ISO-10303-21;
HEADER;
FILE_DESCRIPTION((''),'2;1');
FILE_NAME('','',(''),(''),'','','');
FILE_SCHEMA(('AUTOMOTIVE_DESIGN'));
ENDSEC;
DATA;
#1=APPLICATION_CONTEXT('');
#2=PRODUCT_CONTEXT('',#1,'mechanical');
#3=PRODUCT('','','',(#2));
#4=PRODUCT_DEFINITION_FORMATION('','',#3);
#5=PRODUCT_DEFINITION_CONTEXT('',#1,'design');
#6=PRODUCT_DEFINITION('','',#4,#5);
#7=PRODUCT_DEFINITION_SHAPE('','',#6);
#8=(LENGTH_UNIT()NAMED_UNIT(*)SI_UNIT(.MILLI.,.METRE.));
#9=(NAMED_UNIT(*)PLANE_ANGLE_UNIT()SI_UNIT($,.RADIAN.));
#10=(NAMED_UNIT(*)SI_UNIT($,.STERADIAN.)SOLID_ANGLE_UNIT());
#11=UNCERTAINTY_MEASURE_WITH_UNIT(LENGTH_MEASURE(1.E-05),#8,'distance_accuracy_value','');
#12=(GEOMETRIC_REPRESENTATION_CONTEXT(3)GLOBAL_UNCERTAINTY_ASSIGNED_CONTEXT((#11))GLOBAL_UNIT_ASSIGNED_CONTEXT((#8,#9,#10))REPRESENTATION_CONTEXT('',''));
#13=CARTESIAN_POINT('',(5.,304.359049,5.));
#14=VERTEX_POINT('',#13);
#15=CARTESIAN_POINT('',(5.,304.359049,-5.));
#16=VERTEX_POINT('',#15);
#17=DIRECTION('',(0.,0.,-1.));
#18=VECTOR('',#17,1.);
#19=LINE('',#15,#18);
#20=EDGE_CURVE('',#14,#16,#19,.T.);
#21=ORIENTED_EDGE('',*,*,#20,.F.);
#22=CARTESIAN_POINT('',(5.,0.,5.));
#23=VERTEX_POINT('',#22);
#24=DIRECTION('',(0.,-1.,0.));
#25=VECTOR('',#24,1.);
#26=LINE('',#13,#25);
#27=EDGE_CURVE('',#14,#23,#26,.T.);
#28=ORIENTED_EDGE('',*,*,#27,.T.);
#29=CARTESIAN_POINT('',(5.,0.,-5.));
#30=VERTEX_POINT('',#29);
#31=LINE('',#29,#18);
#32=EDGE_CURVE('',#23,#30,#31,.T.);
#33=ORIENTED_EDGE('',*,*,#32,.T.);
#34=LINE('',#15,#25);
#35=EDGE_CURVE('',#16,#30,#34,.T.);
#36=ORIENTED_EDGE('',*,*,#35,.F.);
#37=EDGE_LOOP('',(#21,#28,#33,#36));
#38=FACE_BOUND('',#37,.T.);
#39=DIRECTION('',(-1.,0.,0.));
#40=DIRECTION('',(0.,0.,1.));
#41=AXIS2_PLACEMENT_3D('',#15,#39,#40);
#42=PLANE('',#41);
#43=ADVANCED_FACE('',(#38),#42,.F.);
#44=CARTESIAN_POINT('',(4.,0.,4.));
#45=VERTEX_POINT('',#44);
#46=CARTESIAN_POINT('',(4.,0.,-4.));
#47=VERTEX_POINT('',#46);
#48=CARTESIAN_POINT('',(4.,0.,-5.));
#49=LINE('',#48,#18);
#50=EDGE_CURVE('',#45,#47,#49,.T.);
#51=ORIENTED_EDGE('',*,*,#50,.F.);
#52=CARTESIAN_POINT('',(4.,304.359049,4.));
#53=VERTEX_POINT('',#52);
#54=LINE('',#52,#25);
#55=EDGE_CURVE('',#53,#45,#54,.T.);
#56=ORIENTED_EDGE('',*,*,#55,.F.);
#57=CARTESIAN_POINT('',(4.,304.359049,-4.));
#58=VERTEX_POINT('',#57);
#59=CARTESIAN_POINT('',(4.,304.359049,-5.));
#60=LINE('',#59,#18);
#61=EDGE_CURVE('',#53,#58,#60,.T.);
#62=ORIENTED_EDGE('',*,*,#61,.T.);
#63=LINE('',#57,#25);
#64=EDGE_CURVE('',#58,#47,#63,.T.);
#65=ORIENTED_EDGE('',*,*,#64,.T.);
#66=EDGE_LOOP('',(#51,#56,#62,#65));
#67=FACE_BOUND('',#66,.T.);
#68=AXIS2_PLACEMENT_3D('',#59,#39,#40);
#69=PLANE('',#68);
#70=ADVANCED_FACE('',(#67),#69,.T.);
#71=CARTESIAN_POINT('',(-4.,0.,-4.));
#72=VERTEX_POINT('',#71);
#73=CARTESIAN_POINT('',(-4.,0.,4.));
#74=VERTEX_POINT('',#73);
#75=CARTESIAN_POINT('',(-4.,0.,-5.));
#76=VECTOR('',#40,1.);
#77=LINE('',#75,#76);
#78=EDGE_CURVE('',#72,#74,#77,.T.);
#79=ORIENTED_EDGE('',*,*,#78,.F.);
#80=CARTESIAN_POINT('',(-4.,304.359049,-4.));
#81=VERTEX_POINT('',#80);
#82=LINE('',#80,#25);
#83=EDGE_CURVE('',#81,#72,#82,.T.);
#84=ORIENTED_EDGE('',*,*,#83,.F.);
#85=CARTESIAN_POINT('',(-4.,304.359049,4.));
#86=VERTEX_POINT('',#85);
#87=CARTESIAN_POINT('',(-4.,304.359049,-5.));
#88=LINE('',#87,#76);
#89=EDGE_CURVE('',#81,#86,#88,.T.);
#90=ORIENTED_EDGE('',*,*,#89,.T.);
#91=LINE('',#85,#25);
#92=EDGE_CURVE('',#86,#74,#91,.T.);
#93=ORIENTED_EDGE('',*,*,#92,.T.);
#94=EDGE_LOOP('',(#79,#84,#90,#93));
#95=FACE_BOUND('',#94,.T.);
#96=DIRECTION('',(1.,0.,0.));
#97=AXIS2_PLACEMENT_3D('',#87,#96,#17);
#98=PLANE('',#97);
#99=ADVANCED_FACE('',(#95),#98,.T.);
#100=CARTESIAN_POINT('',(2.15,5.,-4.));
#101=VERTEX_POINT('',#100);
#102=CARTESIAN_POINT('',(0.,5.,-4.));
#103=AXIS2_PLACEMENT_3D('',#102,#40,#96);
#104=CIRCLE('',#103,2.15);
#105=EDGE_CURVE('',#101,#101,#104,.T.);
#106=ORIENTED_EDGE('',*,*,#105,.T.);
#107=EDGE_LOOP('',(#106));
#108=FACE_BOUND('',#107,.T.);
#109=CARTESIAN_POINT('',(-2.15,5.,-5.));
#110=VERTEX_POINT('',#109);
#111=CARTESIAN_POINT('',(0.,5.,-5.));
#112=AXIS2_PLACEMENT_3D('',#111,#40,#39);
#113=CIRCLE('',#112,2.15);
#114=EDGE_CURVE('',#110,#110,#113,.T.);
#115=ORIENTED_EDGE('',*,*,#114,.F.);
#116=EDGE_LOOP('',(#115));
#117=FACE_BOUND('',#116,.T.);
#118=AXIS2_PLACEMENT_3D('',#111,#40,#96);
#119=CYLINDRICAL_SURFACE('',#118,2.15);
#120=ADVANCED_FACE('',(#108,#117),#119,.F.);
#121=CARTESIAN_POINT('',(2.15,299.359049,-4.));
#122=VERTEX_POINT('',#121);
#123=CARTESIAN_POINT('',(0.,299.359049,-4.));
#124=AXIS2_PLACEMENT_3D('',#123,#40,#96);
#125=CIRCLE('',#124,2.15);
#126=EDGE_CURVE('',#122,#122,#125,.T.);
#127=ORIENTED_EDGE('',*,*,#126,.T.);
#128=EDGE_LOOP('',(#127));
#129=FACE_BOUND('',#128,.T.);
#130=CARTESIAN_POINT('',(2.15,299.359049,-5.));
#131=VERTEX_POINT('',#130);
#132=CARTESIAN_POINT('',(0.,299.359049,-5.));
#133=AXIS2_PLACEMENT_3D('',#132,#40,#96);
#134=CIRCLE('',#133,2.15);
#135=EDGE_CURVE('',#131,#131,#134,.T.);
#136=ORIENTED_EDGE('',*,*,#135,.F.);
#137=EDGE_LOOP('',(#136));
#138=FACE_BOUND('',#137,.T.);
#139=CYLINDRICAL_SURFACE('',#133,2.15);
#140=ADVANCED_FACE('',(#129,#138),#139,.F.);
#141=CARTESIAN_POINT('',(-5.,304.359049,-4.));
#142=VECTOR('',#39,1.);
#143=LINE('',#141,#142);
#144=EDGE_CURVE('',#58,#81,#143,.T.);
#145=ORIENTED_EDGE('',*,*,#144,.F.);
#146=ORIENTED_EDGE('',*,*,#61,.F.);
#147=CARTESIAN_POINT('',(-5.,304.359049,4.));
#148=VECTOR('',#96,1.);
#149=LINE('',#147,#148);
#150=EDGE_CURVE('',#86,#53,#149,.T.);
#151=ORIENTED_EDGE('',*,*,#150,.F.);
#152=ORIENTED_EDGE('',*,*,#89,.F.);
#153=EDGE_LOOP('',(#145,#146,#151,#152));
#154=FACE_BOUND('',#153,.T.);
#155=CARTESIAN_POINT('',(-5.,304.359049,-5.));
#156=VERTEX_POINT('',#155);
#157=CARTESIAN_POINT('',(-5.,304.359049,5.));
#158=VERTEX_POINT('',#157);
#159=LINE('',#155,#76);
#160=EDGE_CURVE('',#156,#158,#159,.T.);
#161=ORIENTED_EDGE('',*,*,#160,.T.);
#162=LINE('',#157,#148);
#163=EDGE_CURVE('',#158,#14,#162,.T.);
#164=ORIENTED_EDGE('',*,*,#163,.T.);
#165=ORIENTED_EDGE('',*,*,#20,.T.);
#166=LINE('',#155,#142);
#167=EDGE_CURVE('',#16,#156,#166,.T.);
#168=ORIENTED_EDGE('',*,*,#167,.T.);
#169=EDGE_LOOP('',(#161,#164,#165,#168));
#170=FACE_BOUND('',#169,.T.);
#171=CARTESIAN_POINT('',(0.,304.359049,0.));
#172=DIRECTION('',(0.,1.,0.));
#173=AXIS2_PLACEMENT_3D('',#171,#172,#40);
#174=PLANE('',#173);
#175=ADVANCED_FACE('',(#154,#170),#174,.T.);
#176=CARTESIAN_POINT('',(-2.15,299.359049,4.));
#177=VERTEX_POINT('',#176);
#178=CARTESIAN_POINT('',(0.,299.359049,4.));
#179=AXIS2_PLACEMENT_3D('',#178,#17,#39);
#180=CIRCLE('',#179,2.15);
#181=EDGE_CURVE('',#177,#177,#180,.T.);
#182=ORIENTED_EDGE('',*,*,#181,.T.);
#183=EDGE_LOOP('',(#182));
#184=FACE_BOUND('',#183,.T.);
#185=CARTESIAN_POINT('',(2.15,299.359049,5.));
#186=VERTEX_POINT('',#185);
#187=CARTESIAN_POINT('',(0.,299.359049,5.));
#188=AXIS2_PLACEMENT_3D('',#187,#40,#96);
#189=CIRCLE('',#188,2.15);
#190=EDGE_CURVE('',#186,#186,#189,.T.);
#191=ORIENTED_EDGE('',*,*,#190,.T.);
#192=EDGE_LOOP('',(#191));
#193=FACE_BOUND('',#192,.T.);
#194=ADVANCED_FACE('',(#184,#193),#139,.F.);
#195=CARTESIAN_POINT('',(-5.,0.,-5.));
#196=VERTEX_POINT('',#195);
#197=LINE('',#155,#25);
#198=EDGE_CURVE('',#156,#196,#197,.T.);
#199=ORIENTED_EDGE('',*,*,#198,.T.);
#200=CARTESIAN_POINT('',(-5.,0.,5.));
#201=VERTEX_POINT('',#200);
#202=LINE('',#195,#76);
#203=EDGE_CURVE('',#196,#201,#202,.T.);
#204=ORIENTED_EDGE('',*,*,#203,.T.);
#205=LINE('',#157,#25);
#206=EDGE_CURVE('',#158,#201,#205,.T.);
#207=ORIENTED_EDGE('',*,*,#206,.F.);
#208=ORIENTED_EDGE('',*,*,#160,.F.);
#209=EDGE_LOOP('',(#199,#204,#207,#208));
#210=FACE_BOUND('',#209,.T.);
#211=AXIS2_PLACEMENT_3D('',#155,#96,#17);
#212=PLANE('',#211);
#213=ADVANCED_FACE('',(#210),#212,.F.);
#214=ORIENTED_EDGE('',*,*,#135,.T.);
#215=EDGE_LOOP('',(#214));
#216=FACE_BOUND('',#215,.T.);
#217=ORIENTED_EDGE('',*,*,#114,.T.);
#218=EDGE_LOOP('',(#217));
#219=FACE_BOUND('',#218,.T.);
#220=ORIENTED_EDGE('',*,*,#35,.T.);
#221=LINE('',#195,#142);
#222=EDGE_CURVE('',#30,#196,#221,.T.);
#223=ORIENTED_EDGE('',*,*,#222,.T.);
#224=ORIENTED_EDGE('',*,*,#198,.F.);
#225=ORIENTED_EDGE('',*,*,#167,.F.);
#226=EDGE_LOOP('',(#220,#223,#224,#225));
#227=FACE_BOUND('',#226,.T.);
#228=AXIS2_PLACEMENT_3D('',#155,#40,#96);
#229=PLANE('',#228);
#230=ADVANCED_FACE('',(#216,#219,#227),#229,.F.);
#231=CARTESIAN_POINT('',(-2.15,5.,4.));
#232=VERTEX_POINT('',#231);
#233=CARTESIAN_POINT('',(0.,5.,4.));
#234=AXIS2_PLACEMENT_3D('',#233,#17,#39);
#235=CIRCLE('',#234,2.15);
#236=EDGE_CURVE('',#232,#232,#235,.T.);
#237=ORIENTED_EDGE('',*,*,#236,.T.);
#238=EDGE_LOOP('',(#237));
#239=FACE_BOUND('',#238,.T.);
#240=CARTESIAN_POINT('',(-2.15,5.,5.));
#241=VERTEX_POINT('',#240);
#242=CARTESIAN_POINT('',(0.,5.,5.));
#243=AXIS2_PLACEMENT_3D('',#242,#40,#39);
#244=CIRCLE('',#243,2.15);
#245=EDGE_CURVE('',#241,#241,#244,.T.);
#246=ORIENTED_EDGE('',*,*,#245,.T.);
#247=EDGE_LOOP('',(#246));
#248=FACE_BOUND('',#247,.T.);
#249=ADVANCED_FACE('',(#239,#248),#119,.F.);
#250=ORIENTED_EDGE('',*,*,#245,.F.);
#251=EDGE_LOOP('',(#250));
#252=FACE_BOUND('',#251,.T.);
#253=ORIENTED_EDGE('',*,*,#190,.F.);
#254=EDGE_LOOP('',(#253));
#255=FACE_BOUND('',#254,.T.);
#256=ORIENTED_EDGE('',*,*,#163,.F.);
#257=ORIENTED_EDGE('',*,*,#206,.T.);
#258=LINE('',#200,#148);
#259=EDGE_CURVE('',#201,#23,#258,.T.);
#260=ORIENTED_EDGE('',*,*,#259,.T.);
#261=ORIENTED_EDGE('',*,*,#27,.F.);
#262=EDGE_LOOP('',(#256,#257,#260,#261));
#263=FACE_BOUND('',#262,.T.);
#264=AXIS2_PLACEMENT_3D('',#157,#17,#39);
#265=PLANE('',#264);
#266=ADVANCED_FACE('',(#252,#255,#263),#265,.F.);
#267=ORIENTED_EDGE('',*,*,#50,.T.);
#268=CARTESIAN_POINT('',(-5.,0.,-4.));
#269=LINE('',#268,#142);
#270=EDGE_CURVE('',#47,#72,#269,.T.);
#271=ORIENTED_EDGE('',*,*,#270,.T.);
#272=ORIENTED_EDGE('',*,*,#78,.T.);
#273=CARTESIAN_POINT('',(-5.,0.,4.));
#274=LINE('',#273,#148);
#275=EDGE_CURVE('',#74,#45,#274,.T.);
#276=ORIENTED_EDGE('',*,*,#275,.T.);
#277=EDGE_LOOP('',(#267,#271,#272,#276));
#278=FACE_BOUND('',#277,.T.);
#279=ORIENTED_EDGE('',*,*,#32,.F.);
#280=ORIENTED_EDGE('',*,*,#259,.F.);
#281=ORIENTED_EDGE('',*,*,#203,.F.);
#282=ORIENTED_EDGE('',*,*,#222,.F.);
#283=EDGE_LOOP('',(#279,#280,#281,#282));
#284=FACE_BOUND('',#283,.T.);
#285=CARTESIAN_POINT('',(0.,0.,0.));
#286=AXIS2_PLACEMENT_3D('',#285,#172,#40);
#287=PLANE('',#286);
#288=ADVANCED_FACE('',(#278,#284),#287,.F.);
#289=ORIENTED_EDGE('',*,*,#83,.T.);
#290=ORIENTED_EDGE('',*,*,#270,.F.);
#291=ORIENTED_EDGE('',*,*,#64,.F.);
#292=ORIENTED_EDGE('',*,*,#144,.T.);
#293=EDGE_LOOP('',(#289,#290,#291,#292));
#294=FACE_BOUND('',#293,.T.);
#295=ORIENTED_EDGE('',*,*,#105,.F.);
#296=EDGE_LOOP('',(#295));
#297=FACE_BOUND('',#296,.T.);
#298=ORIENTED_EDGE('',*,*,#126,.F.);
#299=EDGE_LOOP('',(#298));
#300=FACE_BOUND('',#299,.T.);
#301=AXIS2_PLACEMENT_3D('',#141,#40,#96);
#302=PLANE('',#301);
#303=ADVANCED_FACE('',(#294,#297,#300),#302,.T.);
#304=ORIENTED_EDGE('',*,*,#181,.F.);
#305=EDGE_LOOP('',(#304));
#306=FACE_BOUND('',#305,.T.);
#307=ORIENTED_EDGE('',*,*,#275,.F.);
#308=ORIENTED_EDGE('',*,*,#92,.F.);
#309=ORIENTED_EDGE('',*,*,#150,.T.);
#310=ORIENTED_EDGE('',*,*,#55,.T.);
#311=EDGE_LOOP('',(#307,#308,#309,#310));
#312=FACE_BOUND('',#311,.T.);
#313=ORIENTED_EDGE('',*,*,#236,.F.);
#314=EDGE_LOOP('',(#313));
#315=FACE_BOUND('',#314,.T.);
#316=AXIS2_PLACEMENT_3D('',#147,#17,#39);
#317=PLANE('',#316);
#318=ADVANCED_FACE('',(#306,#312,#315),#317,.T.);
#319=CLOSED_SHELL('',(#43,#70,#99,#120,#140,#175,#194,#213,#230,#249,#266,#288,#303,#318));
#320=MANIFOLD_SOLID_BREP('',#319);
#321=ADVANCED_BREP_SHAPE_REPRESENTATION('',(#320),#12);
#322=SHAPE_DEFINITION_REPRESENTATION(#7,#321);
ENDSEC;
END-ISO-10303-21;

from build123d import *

# Parameters (mm, degrees)
SKETCH_1_W          = 10
SKETCH_1_H          = 10
SKETCH_1_W_2        = 8
SKETCH_1_H_2        = 8
EXTRUDE_1_DEPTH     = 304.359049462
SKETCH_2_R          = 2.15
CUT_EXTRUDE_1_DEPTH = 305.564329804


with BuildPart() as part:
    # ｽｹｯﾁ1 → 押し出し-薄板1 (new body)
    with BuildSketch(Plane(origin=(0, 0, 0), x_dir=(1, 0, 0), z_dir=(0, 1, 0))):
        Rectangle(SKETCH_1_W, SKETCH_1_H)
        Rectangle(SKETCH_1_W_2, SKETCH_1_H_2, mode=Mode.SUBTRACT)
    extrude(amount=EXTRUDE_1_DEPTH)

    # ｽｹｯﾁ2 → ｶｯﾄ - 押し出し1 (cut, through all)
    with BuildSketch(Plane.XY.offset(5)):
        with Locations((0, 299.359049462)):
            Circle(SKETCH_2_R)
        with Locations(Location((0, 5, 0), (0, 0, 180))):
            Circle(SKETCH_2_R)
    extrude(amount=-CUT_EXTRUDE_1_DEPTH, mode=Mode.SUBTRACT)


solid = part.part
